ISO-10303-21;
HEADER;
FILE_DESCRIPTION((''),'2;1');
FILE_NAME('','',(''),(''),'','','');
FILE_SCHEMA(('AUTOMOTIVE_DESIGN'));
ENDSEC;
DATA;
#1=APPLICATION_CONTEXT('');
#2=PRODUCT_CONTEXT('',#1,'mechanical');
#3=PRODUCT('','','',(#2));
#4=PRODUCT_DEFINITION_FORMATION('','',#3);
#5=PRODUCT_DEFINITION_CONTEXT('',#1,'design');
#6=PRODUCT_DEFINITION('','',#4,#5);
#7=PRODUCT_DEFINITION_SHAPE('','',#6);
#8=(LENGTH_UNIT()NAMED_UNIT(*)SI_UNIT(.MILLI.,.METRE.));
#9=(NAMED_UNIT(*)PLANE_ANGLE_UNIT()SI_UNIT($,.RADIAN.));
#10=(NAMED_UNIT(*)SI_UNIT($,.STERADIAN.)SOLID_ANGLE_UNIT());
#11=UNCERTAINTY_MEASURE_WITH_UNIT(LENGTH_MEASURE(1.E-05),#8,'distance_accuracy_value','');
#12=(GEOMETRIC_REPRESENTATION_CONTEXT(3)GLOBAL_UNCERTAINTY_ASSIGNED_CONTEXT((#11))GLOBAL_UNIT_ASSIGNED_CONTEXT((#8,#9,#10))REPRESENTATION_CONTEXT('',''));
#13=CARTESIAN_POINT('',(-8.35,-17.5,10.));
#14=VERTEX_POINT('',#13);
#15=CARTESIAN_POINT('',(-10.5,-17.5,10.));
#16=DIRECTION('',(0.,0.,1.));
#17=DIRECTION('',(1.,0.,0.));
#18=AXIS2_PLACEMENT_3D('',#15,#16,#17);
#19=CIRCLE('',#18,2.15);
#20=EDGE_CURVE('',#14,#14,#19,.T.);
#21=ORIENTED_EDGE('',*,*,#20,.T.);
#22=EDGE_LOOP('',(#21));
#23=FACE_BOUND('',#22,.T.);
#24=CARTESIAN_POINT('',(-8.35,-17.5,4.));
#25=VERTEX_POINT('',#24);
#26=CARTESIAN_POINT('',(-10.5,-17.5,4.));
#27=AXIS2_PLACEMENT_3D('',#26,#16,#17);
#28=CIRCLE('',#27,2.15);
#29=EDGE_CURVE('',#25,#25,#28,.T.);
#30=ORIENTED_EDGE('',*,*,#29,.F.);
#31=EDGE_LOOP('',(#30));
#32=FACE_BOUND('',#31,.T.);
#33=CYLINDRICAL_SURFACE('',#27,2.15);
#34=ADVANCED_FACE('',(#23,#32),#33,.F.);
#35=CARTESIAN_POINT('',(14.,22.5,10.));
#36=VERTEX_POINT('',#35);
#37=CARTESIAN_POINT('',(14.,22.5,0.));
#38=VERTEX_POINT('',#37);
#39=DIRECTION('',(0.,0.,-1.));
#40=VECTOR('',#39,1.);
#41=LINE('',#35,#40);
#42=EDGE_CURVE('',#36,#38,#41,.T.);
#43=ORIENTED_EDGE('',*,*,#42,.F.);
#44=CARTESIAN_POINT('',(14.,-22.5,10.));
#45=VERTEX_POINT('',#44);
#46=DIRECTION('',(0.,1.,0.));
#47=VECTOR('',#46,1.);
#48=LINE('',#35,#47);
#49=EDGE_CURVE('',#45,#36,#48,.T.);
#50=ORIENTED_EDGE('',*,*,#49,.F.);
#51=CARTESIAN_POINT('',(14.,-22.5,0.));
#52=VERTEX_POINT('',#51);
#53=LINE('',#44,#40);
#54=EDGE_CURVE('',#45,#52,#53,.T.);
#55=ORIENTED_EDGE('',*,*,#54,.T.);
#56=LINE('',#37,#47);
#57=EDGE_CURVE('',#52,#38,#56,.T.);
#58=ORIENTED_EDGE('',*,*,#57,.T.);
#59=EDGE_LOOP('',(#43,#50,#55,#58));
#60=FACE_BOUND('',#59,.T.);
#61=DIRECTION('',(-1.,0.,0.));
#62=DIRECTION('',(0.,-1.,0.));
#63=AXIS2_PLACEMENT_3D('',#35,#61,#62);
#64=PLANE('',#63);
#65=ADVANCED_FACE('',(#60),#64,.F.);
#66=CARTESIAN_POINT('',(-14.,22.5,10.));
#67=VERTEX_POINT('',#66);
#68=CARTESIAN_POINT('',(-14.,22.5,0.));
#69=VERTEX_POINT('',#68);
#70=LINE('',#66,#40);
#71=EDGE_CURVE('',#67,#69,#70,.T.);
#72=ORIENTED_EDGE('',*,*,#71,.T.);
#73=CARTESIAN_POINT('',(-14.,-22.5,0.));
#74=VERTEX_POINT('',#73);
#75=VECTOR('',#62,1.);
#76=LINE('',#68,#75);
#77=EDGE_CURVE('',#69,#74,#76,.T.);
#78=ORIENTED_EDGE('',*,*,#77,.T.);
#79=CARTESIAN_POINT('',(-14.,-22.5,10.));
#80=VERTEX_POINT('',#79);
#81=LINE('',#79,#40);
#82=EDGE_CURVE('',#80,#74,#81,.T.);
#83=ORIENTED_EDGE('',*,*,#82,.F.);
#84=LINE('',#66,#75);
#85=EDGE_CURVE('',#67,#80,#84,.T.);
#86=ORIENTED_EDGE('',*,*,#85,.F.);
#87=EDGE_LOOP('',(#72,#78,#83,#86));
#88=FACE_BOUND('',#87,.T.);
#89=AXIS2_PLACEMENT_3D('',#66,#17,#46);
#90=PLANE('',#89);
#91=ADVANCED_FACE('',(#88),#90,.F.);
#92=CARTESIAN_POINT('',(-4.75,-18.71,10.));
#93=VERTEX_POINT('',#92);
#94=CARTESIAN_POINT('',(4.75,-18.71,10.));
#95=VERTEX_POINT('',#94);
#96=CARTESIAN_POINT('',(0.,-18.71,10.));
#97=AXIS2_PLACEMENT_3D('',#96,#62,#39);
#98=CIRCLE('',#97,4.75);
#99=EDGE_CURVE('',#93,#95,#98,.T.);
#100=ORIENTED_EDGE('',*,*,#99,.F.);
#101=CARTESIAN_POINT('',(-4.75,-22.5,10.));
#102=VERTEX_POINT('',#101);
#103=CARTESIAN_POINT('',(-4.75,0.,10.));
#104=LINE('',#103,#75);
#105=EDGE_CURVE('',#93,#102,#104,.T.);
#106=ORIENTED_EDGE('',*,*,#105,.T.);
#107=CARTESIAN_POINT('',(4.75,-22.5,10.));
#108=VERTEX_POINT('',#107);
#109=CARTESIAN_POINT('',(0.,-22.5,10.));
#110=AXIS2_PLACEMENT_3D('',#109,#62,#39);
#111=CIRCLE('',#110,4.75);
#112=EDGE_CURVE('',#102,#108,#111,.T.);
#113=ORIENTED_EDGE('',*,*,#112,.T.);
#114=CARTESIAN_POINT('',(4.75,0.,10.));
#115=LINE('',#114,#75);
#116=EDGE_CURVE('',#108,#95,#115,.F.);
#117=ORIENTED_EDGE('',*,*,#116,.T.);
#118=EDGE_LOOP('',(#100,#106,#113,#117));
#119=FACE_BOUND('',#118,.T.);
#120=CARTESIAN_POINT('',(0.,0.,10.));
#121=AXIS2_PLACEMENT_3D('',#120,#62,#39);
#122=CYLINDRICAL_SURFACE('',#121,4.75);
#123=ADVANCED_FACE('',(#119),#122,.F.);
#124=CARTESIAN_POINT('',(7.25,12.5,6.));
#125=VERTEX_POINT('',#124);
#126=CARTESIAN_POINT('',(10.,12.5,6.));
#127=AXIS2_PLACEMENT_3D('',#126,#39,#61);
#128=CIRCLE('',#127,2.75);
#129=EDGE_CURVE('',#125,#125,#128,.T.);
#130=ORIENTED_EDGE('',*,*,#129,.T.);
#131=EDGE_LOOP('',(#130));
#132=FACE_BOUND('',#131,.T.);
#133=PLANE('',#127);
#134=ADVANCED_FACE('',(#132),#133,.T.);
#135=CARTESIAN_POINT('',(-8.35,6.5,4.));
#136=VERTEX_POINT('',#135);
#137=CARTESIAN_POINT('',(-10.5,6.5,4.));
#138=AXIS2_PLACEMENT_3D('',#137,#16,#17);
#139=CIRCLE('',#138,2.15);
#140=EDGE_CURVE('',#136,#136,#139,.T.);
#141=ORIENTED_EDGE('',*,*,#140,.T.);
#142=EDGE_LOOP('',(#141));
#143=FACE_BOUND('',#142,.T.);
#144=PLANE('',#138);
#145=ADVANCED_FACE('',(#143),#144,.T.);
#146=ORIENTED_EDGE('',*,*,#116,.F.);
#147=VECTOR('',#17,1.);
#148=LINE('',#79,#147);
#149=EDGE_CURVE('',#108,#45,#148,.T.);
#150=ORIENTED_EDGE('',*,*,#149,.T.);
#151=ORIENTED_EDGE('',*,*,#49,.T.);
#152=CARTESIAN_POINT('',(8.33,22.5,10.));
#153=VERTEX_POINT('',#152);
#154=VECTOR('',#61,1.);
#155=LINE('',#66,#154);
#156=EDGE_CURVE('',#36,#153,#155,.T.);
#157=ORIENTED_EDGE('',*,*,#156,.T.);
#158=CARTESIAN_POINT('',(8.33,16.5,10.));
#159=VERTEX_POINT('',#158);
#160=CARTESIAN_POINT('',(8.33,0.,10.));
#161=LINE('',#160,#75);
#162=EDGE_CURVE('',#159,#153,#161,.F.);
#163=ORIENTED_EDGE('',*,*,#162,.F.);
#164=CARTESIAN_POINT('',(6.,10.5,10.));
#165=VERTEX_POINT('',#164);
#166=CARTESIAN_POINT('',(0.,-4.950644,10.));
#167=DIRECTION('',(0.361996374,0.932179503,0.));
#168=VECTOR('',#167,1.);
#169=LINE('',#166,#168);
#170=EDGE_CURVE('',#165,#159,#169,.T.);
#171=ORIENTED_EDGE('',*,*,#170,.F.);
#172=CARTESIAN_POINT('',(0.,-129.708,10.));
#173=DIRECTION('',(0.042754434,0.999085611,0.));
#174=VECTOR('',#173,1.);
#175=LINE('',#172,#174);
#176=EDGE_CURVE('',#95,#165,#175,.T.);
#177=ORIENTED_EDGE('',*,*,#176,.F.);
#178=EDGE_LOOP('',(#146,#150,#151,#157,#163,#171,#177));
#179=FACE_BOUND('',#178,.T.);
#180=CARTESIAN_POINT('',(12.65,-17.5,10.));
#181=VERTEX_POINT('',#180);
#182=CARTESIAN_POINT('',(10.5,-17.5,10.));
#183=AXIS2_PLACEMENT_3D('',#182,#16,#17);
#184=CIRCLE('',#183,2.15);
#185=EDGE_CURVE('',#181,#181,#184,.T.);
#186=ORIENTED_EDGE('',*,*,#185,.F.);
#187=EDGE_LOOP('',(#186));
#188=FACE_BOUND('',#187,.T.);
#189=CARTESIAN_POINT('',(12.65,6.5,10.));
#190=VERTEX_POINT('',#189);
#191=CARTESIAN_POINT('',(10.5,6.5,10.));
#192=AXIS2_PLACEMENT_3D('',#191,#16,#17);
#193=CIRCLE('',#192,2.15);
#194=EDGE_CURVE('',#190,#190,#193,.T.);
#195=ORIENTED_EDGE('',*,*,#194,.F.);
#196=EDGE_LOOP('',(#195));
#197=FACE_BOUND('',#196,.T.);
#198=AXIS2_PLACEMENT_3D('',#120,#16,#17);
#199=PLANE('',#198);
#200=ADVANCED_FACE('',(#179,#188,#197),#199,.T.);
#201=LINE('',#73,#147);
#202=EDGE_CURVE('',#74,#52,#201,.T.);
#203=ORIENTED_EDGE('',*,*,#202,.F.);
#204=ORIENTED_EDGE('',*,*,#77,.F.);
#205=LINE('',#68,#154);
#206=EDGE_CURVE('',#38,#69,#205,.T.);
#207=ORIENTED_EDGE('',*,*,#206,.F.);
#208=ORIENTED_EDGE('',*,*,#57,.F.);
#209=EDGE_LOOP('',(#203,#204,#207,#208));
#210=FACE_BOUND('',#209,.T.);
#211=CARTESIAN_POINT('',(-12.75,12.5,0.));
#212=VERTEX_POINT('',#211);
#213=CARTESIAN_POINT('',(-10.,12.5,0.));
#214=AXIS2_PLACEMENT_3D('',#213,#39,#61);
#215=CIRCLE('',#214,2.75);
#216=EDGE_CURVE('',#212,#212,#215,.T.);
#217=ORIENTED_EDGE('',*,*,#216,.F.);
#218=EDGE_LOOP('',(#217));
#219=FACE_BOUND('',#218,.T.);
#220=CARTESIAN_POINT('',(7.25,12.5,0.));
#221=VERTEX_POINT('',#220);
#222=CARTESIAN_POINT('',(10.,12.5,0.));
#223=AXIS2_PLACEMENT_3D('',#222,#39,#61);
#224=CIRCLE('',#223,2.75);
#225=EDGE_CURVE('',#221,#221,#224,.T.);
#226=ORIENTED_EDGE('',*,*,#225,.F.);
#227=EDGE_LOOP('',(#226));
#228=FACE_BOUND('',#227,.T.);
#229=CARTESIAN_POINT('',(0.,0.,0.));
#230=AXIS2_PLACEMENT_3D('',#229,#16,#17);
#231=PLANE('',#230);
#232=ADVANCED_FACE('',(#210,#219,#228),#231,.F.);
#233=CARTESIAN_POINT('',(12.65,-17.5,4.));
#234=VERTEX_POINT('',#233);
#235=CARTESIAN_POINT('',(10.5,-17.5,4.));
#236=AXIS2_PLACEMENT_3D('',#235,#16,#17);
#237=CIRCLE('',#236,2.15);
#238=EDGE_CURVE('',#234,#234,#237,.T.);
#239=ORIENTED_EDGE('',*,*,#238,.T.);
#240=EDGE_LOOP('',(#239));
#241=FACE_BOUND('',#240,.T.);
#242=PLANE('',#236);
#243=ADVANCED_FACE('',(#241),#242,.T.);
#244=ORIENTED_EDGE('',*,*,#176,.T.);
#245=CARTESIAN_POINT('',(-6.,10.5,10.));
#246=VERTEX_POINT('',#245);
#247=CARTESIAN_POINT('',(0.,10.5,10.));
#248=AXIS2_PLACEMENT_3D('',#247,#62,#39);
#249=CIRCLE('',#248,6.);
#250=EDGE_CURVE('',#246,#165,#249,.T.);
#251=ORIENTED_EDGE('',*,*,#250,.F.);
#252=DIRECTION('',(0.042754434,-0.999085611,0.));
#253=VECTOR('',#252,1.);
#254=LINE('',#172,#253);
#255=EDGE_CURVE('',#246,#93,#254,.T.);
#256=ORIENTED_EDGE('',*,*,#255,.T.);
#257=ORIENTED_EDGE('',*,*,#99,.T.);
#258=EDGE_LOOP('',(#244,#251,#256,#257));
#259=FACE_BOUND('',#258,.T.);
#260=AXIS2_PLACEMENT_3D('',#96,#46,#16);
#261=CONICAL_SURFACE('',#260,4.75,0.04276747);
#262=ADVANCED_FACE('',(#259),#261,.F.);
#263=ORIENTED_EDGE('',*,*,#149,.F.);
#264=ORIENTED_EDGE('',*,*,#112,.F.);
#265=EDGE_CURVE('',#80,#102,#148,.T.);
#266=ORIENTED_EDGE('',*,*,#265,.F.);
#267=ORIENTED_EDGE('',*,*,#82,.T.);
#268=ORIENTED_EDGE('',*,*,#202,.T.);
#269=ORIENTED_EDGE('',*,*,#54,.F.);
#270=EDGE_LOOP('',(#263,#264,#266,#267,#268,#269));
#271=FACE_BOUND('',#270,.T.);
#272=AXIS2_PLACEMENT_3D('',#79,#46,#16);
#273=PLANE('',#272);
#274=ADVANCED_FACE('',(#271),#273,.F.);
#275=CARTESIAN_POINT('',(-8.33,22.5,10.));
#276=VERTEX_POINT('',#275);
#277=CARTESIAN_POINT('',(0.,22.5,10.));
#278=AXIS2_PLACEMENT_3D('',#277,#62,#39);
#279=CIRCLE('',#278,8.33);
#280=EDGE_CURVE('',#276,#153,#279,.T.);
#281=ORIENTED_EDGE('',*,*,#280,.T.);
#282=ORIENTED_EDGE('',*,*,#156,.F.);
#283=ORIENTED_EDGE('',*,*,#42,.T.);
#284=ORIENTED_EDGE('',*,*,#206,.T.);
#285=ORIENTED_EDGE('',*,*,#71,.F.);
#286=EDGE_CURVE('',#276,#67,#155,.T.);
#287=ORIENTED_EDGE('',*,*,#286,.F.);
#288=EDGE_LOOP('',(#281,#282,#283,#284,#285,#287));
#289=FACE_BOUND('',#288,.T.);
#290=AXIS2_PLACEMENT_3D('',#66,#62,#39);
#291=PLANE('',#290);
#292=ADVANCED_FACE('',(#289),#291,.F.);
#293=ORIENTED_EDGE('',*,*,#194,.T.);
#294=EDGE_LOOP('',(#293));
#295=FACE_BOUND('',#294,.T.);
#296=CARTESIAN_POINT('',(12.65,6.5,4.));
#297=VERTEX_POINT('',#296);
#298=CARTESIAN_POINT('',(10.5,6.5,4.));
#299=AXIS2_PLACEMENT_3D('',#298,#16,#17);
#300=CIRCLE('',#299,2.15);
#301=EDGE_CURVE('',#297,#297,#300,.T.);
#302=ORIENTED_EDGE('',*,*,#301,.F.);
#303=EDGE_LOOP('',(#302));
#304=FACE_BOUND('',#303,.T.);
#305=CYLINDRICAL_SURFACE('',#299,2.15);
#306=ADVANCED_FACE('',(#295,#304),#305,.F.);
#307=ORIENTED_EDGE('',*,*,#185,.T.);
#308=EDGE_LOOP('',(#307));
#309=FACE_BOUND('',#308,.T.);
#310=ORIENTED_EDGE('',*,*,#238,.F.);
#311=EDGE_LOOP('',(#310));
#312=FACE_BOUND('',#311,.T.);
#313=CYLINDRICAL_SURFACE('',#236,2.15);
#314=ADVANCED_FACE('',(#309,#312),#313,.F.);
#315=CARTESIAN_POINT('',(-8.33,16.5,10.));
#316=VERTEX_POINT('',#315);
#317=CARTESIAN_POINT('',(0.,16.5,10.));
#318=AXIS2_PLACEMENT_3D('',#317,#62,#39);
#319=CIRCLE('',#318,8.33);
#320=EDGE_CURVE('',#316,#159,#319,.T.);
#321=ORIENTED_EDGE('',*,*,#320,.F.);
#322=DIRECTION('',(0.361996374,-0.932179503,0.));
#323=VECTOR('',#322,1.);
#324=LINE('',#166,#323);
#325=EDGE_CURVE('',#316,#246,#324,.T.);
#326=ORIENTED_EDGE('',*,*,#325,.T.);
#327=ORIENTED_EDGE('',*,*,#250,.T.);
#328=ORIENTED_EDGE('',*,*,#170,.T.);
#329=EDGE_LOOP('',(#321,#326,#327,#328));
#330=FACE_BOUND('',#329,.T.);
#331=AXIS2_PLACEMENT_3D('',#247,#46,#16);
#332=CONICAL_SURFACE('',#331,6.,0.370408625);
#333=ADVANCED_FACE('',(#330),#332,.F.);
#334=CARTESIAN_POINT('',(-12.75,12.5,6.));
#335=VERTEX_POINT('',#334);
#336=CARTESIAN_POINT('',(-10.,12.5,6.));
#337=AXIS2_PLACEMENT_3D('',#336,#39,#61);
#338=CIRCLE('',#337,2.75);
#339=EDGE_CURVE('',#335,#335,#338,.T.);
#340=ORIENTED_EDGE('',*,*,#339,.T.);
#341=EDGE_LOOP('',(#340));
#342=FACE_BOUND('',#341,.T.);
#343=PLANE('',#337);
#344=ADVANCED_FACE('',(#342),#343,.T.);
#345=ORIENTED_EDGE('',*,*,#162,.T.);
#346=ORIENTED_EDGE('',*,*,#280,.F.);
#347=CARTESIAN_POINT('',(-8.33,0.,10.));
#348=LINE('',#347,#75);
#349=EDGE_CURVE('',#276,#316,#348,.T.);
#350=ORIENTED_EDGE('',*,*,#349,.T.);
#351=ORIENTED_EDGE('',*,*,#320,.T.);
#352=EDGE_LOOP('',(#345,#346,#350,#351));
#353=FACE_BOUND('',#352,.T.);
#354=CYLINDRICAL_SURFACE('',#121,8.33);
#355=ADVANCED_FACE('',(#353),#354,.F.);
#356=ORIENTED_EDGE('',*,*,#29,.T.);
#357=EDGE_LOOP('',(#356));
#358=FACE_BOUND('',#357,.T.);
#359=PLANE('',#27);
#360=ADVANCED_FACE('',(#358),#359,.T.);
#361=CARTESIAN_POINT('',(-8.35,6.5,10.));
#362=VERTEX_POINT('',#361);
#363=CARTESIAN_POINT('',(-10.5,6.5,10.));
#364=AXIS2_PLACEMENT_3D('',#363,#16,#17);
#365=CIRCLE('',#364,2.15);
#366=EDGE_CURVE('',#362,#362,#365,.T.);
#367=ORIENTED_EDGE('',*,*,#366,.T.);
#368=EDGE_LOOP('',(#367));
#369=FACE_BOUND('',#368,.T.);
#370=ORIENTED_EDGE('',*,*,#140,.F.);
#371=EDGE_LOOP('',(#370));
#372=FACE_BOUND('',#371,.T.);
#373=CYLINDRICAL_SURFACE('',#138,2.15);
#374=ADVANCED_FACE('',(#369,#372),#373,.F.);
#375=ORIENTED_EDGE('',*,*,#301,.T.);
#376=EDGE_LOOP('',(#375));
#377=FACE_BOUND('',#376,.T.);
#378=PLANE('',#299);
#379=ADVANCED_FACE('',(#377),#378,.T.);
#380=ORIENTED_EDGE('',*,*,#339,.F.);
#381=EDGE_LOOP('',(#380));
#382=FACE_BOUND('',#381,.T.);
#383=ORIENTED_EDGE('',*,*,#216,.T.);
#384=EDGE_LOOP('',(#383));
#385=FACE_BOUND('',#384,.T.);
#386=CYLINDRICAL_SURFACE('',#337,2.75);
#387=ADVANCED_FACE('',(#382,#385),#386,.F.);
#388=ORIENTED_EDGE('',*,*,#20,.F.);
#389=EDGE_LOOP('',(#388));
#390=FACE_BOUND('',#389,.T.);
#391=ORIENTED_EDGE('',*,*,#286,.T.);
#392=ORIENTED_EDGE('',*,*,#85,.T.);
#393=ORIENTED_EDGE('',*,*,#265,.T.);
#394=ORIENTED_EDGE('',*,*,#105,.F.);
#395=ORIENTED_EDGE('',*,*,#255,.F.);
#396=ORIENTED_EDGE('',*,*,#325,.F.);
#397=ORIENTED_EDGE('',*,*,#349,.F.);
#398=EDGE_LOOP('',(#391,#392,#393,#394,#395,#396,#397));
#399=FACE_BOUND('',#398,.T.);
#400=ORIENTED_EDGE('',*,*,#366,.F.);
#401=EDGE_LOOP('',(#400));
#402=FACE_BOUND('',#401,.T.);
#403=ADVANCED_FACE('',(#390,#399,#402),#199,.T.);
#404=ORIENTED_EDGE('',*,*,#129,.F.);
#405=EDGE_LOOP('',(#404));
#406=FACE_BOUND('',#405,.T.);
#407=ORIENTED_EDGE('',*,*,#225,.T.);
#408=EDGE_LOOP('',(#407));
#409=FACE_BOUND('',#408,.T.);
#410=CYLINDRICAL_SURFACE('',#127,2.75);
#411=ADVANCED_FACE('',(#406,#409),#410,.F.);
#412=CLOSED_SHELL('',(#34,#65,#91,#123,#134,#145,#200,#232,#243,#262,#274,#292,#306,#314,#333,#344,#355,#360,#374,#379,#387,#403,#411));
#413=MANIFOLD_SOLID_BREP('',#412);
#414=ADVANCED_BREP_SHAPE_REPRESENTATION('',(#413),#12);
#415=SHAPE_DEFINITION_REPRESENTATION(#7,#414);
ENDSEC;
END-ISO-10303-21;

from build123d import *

# Parameters (mm, degrees)
SKETCH4_W           = 28
SKETCH4_H           = 45
BOSS_EXTRUDE2_DEPTH = 10
SKETCH6_R           = 2.15
CUT_EXTRUDE1_DEPTH  = 6
SKETCH7_R           = 2.75
CUT_EXTRUDE2_DEPTH  = 6


with BuildPart() as part:
    # Sketch4 → Boss-Extrude2 (new body)
    with BuildSketch(Plane.XY):
        Rectangle(SKETCH4_W, SKETCH4_H)
    extrude(amount=BOSS_EXTRUDE2_DEPTH)

    # Sketch5 → Cut-Revolve1 (revolve, cut)
    with BuildSketch(Plane.XY.offset(10)):
        Polygon((0, 22.5), (8.33, 22.5), (8.33, 16.5), (6, 10.5), (4.75, -18.71), (4.75, -22.5), (0, -22.5), align=None)
    revolve(axis=Axis((0, 0, 10), (0, 1, 0)), mode=Mode.SUBTRACT)

    # Sketch6 → Cut-Extrude1 (cut)
    with BuildSketch(Plane.XY.offset(10)):
        with Locations((-10.5, 6.5)):
            Circle(SKETCH6_R)
        with Locations((-10.5, -17.5)):
            Circle(SKETCH6_R)
        with Locations((10.5, 6.5)):
            Circle(SKETCH6_R)
        with Locations((10.5, -17.5)):
            Circle(SKETCH6_R)
    extrude(amount=-CUT_EXTRUDE1_DEPTH, mode=Mode.SUBTRACT)

    # Sketch7 → Cut-Extrude2 (cut)
    with BuildSketch(Plane(origin=(0, 0, 0), x_dir=(-1, 0, 0), z_dir=(0, 0, -1))):
        with Locations((-10, 12.5)):
            Circle(SKETCH7_R)
        with Locations((10, 12.5)):
            Circle(SKETCH7_R)
    extrude(amount=-CUT_EXTRUDE2_DEPTH, mode=Mode.SUBTRACT)


solid = part.part
